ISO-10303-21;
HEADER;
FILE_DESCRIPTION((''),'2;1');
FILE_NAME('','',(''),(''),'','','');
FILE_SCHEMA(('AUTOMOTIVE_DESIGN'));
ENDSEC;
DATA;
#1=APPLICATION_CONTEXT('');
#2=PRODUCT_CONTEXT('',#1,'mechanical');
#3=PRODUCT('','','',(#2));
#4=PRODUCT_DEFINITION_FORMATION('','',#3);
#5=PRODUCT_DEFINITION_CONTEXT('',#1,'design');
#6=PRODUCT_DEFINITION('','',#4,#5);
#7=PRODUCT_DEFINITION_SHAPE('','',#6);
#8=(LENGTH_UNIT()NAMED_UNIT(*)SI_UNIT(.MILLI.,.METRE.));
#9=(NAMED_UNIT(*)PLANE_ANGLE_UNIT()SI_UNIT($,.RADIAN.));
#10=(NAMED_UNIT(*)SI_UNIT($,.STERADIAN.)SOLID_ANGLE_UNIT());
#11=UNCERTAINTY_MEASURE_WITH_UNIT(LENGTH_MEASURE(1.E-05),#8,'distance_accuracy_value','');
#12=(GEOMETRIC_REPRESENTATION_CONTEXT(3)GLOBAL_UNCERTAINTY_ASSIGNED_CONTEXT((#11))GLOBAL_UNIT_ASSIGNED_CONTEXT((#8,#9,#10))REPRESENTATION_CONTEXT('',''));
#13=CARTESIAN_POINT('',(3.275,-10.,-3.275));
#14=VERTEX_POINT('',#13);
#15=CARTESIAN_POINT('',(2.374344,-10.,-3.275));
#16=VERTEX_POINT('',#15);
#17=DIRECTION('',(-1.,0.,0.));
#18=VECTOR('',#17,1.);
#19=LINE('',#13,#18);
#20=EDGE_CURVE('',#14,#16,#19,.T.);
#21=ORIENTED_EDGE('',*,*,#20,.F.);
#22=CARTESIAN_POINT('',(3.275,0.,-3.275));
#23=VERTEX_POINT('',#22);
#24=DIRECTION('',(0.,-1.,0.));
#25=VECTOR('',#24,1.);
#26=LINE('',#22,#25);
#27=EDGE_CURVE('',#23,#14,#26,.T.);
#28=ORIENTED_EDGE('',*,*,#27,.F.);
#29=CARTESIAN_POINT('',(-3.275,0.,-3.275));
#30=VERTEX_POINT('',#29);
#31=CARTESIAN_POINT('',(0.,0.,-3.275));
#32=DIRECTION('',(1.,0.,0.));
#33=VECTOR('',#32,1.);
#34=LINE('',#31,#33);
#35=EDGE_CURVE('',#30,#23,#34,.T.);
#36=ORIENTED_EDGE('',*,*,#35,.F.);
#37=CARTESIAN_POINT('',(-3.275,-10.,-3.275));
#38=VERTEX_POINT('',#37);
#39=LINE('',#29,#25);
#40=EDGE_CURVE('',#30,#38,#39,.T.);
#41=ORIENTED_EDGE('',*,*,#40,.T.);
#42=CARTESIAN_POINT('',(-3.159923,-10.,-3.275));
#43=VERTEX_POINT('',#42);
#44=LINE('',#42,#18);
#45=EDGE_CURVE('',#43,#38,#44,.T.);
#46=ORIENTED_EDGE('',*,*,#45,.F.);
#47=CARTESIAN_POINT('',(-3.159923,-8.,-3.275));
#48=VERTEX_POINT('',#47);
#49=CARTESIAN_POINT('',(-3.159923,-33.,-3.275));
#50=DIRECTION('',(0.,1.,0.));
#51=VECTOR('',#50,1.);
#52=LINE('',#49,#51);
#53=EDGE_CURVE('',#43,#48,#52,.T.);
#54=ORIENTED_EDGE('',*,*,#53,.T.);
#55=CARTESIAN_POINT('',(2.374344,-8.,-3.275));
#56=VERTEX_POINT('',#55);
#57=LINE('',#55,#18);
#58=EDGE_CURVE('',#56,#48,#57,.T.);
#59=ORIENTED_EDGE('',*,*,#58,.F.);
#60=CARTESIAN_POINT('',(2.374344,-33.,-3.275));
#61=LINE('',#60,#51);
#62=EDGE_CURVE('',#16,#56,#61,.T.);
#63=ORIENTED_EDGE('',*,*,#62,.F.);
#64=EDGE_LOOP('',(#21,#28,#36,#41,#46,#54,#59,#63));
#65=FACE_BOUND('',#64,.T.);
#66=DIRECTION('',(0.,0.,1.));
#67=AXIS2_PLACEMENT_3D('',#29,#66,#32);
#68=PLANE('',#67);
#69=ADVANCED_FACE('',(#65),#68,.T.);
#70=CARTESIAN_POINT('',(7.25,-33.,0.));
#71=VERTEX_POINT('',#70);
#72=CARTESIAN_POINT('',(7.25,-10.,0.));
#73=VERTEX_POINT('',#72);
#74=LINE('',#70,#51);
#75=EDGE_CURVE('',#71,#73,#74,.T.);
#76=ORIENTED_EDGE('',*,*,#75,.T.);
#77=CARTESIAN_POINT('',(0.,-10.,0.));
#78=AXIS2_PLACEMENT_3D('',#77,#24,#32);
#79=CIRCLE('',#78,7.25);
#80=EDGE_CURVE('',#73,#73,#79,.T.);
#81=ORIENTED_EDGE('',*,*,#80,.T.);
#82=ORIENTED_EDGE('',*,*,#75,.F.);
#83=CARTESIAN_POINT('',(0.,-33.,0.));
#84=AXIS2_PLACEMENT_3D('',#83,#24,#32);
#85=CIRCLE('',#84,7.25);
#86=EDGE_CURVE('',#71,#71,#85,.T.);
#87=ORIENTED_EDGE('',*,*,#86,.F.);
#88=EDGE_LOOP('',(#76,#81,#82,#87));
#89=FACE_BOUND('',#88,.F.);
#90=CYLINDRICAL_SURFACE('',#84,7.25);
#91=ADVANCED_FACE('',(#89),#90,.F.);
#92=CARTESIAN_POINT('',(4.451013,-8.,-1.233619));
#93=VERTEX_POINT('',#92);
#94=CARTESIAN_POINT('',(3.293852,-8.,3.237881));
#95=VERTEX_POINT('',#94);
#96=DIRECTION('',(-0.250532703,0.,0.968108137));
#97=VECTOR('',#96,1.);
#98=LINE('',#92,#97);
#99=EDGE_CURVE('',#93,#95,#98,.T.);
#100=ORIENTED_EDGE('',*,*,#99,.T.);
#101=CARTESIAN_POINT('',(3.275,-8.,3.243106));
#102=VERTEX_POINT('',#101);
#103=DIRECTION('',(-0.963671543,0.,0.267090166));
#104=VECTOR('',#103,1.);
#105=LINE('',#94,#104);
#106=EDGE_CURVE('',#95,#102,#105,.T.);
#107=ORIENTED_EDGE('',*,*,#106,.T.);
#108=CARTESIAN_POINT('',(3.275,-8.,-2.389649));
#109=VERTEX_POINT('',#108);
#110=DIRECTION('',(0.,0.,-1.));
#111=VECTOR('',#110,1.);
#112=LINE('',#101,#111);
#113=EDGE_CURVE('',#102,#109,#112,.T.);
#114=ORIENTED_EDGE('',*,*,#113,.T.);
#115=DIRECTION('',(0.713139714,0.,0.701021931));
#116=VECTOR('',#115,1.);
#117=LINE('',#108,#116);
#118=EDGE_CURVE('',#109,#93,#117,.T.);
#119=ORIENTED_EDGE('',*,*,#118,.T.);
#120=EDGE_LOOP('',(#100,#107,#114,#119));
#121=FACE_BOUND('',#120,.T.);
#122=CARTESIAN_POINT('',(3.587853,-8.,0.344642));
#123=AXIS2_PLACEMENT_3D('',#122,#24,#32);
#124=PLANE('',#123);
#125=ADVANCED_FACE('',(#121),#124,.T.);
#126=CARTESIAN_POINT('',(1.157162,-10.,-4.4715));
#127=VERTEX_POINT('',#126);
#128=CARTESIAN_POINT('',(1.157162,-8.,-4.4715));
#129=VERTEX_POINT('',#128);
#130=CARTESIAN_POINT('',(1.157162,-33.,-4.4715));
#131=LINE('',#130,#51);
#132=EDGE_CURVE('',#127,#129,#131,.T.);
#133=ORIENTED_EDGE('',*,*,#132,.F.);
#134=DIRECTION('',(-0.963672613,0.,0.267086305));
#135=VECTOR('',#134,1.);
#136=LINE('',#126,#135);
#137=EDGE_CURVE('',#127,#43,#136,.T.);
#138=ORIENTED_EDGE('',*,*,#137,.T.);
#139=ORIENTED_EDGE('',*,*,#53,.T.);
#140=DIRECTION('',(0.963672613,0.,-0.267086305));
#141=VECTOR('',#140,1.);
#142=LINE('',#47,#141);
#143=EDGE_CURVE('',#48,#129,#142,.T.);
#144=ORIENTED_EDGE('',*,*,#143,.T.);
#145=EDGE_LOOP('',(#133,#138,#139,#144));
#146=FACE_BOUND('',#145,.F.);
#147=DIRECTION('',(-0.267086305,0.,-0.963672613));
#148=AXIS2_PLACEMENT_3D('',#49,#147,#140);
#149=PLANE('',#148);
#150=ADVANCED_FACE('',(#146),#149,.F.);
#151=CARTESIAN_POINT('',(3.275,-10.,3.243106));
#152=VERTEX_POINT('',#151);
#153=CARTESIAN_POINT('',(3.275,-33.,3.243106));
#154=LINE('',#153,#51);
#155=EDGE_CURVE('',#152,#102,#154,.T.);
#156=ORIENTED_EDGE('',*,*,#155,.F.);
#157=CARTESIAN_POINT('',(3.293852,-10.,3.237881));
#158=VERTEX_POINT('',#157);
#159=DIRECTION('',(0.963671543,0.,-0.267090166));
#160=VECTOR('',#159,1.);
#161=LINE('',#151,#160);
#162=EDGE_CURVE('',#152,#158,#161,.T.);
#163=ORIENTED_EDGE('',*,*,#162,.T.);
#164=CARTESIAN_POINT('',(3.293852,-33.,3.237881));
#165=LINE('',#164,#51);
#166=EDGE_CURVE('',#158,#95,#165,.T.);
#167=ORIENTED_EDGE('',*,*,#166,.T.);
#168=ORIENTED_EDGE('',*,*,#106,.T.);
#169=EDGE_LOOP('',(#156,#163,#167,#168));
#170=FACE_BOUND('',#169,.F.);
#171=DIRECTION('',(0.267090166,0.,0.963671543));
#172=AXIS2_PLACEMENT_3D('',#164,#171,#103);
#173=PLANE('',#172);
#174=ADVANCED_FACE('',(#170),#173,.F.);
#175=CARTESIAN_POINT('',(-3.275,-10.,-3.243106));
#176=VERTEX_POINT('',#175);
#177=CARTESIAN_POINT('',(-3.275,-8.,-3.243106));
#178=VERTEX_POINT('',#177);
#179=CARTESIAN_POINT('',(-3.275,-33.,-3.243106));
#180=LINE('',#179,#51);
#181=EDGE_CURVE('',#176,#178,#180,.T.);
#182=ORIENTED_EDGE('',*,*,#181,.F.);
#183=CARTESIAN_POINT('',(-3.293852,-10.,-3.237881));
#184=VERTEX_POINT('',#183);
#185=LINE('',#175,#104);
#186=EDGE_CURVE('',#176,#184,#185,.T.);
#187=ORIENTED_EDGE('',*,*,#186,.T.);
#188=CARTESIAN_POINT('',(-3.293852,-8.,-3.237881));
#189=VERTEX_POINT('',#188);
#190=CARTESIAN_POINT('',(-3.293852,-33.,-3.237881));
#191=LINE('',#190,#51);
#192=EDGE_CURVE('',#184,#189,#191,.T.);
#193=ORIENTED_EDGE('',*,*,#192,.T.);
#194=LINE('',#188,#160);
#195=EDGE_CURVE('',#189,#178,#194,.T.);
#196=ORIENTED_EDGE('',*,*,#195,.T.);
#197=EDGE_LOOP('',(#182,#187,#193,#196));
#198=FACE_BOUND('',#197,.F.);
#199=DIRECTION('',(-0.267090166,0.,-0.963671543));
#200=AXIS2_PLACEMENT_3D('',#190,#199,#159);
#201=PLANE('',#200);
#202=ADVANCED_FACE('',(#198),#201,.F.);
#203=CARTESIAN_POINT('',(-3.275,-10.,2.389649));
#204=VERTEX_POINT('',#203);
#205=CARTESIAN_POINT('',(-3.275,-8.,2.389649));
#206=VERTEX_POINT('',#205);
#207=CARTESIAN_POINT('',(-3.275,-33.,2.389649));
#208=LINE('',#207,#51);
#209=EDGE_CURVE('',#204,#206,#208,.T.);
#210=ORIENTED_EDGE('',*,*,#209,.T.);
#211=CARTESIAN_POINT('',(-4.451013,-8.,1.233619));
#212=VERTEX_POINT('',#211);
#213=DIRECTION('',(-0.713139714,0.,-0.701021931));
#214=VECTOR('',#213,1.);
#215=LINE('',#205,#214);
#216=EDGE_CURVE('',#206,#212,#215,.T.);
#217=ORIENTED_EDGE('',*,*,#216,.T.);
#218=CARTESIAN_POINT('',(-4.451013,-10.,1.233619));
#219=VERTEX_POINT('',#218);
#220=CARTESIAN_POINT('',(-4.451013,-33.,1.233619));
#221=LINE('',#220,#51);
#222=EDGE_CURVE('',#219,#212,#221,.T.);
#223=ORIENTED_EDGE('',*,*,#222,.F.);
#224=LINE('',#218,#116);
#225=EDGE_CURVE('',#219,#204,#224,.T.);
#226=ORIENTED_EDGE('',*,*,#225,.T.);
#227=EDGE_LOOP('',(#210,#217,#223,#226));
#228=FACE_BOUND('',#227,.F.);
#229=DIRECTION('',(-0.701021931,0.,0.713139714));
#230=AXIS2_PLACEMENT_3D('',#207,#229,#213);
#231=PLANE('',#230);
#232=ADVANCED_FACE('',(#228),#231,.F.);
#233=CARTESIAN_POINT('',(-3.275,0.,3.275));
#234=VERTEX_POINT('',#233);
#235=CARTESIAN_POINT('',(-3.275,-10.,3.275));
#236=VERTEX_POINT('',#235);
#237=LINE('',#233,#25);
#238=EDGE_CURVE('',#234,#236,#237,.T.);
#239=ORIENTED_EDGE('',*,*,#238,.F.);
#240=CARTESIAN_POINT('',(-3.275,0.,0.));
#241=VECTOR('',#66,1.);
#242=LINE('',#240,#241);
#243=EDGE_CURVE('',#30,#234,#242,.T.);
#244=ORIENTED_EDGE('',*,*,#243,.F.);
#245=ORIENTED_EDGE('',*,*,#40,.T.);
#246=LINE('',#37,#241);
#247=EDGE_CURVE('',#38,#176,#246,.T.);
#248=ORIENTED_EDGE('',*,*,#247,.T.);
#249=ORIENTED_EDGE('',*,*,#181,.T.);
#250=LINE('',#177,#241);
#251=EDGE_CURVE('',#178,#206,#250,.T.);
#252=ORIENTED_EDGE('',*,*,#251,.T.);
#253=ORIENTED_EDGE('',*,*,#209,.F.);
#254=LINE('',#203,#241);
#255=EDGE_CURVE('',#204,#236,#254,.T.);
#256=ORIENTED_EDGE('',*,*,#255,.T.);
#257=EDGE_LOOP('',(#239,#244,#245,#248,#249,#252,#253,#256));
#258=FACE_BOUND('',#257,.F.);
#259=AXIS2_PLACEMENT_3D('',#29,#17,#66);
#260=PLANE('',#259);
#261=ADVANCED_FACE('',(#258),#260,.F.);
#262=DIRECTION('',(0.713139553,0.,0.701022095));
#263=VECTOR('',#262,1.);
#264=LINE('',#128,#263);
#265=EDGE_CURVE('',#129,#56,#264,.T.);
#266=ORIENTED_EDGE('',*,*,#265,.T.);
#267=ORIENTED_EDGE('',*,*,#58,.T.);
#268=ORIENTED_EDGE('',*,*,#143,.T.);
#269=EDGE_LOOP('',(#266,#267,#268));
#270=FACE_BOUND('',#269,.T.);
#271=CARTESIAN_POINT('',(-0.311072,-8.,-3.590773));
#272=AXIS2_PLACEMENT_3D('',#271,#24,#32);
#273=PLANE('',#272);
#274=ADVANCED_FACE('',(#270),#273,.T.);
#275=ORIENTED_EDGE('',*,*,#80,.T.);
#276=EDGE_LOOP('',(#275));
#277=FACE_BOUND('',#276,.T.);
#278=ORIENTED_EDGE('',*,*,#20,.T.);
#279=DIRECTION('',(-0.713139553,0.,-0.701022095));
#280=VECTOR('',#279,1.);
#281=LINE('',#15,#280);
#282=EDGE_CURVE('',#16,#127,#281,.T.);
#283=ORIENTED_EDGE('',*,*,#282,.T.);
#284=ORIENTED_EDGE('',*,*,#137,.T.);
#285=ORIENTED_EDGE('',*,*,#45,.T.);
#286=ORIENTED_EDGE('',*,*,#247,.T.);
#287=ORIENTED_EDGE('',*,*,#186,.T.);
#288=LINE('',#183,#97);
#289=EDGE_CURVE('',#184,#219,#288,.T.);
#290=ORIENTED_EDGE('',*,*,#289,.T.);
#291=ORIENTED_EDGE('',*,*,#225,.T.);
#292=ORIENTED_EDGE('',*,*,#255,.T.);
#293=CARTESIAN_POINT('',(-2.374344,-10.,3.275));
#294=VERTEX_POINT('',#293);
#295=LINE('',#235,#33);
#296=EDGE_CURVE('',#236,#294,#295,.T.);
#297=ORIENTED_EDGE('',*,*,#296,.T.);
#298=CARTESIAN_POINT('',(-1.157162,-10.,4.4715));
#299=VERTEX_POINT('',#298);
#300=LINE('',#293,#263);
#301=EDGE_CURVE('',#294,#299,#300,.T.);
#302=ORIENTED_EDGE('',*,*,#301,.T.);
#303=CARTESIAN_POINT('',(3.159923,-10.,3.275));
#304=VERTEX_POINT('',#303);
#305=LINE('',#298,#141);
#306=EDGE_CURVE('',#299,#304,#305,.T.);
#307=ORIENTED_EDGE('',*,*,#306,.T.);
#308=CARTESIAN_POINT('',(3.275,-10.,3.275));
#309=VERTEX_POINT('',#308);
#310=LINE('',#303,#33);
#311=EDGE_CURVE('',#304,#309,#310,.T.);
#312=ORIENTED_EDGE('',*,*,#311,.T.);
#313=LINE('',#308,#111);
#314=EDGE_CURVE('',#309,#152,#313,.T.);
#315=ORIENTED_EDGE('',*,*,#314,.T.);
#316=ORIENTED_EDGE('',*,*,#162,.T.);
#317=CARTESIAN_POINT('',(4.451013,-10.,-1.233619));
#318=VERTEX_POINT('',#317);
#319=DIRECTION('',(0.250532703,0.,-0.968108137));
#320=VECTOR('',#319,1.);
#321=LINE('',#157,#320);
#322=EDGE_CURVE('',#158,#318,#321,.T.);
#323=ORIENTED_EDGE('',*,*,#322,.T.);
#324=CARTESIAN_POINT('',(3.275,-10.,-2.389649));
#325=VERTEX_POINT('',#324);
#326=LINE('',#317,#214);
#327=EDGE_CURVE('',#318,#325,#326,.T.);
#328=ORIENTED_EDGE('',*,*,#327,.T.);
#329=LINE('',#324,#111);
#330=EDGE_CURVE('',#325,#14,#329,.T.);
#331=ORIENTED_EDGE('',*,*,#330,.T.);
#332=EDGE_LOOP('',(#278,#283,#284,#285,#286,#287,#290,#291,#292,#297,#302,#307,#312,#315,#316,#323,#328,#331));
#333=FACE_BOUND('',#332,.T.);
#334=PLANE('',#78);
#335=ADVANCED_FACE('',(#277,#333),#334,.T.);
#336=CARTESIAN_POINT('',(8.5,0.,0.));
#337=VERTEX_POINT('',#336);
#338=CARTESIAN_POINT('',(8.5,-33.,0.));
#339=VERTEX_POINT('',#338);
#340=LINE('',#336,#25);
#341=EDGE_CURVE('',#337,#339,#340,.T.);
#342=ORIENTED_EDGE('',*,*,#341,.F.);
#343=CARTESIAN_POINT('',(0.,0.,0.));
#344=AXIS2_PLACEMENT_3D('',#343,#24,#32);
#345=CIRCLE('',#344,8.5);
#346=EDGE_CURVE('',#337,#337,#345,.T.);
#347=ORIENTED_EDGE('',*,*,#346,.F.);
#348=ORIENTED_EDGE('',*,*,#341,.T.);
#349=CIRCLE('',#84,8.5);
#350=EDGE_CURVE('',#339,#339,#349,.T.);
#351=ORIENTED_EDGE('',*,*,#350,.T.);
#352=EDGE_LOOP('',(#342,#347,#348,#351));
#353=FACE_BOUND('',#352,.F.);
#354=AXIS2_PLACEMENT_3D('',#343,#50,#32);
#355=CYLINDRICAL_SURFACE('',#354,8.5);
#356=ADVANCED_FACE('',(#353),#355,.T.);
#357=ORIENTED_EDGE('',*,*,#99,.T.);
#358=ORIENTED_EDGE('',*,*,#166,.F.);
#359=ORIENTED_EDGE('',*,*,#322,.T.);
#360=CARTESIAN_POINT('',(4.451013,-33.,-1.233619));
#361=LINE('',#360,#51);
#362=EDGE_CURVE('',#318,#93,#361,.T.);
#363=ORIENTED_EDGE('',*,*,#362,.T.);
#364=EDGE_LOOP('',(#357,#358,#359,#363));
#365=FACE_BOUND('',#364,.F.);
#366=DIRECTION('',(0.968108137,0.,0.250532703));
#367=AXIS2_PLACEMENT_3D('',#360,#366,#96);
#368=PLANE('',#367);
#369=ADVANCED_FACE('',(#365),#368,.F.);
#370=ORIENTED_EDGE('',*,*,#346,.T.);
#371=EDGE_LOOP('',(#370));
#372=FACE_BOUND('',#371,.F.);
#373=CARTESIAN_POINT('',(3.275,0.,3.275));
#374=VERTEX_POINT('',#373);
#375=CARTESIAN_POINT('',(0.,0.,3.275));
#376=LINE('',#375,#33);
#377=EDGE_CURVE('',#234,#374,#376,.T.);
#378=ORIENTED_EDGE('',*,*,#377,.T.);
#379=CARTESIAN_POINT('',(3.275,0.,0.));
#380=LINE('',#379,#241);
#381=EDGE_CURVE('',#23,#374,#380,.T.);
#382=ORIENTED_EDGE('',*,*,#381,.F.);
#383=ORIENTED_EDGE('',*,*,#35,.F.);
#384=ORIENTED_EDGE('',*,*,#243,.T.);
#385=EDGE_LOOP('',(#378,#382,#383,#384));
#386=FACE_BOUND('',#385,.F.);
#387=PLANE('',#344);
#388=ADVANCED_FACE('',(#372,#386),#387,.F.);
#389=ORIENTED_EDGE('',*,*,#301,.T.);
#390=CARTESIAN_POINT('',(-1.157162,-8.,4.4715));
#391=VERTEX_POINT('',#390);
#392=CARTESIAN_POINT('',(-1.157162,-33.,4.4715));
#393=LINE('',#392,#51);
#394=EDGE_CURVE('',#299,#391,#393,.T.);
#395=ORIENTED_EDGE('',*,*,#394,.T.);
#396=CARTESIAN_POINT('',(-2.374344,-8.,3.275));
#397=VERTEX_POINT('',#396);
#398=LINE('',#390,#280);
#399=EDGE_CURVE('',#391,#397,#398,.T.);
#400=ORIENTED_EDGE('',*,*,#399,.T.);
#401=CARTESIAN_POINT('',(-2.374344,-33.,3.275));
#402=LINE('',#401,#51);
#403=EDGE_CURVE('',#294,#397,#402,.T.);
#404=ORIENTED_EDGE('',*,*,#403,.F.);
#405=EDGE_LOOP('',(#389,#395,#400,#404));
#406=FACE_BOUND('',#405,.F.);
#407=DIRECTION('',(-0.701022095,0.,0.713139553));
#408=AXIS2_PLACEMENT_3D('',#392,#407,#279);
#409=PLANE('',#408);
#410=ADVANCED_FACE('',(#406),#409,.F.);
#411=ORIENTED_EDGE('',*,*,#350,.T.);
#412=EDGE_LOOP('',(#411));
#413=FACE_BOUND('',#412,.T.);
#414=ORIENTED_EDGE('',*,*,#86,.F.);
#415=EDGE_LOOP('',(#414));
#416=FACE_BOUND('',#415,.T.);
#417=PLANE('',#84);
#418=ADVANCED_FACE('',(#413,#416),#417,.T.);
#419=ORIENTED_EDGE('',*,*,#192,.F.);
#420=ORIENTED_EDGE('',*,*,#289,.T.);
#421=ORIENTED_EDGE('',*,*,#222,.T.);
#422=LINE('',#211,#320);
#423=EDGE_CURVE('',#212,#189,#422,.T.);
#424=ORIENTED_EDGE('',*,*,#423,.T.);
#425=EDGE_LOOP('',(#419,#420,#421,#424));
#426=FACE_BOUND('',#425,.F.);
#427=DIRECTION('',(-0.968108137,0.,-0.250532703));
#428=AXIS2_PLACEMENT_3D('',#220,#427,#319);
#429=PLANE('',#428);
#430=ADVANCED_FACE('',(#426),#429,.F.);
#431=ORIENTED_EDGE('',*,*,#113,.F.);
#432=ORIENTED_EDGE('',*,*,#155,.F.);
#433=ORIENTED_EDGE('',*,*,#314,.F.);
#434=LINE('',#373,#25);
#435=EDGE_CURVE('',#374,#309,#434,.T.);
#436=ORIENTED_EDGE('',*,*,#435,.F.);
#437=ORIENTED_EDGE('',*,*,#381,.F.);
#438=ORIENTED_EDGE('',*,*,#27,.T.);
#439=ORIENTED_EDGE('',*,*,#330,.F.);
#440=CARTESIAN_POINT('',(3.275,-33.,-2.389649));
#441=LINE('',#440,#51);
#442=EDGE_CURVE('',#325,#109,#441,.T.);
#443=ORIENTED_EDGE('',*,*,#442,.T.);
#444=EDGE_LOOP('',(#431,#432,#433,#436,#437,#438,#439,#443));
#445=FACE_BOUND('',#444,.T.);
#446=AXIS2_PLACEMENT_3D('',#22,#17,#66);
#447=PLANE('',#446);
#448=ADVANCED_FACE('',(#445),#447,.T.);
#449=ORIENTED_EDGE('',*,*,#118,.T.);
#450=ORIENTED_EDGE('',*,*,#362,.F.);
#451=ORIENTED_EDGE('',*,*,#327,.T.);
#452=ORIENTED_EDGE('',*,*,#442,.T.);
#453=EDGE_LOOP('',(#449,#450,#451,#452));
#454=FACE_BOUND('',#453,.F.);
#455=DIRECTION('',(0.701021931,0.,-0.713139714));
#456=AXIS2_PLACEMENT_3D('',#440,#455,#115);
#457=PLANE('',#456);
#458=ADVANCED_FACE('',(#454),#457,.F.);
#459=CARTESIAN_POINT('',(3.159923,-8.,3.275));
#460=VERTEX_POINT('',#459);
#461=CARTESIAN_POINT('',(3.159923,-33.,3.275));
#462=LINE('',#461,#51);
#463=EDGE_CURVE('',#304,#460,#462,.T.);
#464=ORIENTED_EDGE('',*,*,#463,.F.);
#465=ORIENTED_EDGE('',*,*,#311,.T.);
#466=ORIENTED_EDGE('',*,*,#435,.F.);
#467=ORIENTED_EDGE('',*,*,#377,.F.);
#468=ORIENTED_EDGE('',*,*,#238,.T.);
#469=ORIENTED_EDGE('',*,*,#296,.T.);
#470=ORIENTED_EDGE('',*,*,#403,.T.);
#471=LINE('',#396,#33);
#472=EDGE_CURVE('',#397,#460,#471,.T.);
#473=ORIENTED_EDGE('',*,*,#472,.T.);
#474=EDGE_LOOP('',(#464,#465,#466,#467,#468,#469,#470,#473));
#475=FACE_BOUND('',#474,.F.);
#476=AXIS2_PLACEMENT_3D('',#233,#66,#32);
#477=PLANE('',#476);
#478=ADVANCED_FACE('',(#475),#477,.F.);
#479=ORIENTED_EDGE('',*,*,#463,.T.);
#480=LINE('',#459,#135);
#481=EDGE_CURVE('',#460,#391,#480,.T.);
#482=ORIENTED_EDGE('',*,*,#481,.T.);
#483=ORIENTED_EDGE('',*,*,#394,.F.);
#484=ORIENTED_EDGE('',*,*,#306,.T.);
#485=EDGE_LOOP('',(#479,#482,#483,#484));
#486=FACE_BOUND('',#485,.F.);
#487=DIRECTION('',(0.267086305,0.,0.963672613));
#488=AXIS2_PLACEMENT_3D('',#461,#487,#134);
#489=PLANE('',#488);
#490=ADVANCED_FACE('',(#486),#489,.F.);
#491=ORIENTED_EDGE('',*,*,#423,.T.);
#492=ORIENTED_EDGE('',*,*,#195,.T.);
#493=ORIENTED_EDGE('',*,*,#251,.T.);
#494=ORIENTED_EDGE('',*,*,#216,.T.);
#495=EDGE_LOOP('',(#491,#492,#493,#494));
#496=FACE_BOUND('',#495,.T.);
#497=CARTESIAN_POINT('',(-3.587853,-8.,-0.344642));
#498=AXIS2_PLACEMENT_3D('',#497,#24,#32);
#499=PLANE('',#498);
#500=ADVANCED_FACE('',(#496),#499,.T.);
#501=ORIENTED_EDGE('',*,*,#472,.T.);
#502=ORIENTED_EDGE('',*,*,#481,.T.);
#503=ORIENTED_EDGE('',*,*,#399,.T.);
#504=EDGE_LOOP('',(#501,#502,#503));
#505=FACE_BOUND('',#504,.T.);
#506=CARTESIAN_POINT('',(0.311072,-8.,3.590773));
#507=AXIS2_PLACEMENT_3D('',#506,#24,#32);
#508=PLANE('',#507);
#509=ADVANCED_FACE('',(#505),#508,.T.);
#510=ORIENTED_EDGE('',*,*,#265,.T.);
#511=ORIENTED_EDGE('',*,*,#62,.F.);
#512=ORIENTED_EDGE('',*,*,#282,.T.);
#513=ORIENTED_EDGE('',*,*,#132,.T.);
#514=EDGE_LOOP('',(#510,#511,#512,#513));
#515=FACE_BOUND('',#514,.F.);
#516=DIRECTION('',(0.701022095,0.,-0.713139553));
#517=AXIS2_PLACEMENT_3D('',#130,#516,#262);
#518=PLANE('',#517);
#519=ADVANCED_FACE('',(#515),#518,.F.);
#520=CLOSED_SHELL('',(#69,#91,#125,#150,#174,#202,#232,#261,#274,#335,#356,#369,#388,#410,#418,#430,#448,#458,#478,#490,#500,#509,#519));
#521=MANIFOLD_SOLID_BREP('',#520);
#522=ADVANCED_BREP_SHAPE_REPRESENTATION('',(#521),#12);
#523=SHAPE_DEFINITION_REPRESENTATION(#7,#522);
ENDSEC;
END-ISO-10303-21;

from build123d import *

# Parameters (mm, degrees)
F0_R     = 8.5
F0_W     = 6.55
F0_H     = 6.55
F1_DEPTH = 33
F3_DEPTH = 25
F4_R     = 7.25
F5_DEPTH = 23


with BuildPart() as f1:
    # F0 (on Front) → F1 (new body)
    with BuildSketch(Plane.XZ):
        Circle(F0_R)
        Rectangle(F0_W, F0_H, mode=Mode.SUBTRACT)
    extrude(amount=F1_DEPTH)

    # F2 (on face) → F3 (cut)
    with BuildSketch(Plane.XZ.offset(33)):
        Polygon((-3.275, -3.243106), (-3.275, 2.389649), (-4.451013, 1.233619), (-3.293852, -3.237881), align=None)
        Polygon((1.157162, -4.4715), (2.374344, -3.275), (-3.159923, -3.275), align=None)
        Polygon((4.451013, -1.233619), (3.293852, 3.237881), (3.275, 3.243106), (3.275, -2.389649), align=None)
        Polygon((-2.374344, 3.275), (3.159923, 3.275), (-1.157162, 4.4715), align=None)
    extrude(amount=-F3_DEPTH, mode=Mode.SUBTRACT)

    # F4 (on face) → F5 (cut)
    with BuildSketch(Plane.XZ.offset(33)):
        Circle(F4_R)
        Polygon((-1.157162, 4.4715), (3.159923, 3.275), (3.275, 3.275), (3.275, 3.243106), (3.293852, 3.237881), (4.451013, -1.233619), (3.275, -2.389649), (3.275, -3.275), (2.374344, -3.275), (1.157162, -4.4715), (-3.159923, -3.275), (-3.275, -3.275), (-3.275, -3.243106), (-3.293852, -3.237881), (-4.451013, 1.233619), (-3.275, 2.389649), (-3.275, 3.275), (-2.374344, 3.275), align=None, mode=Mode.SUBTRACT)
    extrude(amount=-F5_DEPTH, mode=Mode.SUBTRACT)


solid = f1.part
